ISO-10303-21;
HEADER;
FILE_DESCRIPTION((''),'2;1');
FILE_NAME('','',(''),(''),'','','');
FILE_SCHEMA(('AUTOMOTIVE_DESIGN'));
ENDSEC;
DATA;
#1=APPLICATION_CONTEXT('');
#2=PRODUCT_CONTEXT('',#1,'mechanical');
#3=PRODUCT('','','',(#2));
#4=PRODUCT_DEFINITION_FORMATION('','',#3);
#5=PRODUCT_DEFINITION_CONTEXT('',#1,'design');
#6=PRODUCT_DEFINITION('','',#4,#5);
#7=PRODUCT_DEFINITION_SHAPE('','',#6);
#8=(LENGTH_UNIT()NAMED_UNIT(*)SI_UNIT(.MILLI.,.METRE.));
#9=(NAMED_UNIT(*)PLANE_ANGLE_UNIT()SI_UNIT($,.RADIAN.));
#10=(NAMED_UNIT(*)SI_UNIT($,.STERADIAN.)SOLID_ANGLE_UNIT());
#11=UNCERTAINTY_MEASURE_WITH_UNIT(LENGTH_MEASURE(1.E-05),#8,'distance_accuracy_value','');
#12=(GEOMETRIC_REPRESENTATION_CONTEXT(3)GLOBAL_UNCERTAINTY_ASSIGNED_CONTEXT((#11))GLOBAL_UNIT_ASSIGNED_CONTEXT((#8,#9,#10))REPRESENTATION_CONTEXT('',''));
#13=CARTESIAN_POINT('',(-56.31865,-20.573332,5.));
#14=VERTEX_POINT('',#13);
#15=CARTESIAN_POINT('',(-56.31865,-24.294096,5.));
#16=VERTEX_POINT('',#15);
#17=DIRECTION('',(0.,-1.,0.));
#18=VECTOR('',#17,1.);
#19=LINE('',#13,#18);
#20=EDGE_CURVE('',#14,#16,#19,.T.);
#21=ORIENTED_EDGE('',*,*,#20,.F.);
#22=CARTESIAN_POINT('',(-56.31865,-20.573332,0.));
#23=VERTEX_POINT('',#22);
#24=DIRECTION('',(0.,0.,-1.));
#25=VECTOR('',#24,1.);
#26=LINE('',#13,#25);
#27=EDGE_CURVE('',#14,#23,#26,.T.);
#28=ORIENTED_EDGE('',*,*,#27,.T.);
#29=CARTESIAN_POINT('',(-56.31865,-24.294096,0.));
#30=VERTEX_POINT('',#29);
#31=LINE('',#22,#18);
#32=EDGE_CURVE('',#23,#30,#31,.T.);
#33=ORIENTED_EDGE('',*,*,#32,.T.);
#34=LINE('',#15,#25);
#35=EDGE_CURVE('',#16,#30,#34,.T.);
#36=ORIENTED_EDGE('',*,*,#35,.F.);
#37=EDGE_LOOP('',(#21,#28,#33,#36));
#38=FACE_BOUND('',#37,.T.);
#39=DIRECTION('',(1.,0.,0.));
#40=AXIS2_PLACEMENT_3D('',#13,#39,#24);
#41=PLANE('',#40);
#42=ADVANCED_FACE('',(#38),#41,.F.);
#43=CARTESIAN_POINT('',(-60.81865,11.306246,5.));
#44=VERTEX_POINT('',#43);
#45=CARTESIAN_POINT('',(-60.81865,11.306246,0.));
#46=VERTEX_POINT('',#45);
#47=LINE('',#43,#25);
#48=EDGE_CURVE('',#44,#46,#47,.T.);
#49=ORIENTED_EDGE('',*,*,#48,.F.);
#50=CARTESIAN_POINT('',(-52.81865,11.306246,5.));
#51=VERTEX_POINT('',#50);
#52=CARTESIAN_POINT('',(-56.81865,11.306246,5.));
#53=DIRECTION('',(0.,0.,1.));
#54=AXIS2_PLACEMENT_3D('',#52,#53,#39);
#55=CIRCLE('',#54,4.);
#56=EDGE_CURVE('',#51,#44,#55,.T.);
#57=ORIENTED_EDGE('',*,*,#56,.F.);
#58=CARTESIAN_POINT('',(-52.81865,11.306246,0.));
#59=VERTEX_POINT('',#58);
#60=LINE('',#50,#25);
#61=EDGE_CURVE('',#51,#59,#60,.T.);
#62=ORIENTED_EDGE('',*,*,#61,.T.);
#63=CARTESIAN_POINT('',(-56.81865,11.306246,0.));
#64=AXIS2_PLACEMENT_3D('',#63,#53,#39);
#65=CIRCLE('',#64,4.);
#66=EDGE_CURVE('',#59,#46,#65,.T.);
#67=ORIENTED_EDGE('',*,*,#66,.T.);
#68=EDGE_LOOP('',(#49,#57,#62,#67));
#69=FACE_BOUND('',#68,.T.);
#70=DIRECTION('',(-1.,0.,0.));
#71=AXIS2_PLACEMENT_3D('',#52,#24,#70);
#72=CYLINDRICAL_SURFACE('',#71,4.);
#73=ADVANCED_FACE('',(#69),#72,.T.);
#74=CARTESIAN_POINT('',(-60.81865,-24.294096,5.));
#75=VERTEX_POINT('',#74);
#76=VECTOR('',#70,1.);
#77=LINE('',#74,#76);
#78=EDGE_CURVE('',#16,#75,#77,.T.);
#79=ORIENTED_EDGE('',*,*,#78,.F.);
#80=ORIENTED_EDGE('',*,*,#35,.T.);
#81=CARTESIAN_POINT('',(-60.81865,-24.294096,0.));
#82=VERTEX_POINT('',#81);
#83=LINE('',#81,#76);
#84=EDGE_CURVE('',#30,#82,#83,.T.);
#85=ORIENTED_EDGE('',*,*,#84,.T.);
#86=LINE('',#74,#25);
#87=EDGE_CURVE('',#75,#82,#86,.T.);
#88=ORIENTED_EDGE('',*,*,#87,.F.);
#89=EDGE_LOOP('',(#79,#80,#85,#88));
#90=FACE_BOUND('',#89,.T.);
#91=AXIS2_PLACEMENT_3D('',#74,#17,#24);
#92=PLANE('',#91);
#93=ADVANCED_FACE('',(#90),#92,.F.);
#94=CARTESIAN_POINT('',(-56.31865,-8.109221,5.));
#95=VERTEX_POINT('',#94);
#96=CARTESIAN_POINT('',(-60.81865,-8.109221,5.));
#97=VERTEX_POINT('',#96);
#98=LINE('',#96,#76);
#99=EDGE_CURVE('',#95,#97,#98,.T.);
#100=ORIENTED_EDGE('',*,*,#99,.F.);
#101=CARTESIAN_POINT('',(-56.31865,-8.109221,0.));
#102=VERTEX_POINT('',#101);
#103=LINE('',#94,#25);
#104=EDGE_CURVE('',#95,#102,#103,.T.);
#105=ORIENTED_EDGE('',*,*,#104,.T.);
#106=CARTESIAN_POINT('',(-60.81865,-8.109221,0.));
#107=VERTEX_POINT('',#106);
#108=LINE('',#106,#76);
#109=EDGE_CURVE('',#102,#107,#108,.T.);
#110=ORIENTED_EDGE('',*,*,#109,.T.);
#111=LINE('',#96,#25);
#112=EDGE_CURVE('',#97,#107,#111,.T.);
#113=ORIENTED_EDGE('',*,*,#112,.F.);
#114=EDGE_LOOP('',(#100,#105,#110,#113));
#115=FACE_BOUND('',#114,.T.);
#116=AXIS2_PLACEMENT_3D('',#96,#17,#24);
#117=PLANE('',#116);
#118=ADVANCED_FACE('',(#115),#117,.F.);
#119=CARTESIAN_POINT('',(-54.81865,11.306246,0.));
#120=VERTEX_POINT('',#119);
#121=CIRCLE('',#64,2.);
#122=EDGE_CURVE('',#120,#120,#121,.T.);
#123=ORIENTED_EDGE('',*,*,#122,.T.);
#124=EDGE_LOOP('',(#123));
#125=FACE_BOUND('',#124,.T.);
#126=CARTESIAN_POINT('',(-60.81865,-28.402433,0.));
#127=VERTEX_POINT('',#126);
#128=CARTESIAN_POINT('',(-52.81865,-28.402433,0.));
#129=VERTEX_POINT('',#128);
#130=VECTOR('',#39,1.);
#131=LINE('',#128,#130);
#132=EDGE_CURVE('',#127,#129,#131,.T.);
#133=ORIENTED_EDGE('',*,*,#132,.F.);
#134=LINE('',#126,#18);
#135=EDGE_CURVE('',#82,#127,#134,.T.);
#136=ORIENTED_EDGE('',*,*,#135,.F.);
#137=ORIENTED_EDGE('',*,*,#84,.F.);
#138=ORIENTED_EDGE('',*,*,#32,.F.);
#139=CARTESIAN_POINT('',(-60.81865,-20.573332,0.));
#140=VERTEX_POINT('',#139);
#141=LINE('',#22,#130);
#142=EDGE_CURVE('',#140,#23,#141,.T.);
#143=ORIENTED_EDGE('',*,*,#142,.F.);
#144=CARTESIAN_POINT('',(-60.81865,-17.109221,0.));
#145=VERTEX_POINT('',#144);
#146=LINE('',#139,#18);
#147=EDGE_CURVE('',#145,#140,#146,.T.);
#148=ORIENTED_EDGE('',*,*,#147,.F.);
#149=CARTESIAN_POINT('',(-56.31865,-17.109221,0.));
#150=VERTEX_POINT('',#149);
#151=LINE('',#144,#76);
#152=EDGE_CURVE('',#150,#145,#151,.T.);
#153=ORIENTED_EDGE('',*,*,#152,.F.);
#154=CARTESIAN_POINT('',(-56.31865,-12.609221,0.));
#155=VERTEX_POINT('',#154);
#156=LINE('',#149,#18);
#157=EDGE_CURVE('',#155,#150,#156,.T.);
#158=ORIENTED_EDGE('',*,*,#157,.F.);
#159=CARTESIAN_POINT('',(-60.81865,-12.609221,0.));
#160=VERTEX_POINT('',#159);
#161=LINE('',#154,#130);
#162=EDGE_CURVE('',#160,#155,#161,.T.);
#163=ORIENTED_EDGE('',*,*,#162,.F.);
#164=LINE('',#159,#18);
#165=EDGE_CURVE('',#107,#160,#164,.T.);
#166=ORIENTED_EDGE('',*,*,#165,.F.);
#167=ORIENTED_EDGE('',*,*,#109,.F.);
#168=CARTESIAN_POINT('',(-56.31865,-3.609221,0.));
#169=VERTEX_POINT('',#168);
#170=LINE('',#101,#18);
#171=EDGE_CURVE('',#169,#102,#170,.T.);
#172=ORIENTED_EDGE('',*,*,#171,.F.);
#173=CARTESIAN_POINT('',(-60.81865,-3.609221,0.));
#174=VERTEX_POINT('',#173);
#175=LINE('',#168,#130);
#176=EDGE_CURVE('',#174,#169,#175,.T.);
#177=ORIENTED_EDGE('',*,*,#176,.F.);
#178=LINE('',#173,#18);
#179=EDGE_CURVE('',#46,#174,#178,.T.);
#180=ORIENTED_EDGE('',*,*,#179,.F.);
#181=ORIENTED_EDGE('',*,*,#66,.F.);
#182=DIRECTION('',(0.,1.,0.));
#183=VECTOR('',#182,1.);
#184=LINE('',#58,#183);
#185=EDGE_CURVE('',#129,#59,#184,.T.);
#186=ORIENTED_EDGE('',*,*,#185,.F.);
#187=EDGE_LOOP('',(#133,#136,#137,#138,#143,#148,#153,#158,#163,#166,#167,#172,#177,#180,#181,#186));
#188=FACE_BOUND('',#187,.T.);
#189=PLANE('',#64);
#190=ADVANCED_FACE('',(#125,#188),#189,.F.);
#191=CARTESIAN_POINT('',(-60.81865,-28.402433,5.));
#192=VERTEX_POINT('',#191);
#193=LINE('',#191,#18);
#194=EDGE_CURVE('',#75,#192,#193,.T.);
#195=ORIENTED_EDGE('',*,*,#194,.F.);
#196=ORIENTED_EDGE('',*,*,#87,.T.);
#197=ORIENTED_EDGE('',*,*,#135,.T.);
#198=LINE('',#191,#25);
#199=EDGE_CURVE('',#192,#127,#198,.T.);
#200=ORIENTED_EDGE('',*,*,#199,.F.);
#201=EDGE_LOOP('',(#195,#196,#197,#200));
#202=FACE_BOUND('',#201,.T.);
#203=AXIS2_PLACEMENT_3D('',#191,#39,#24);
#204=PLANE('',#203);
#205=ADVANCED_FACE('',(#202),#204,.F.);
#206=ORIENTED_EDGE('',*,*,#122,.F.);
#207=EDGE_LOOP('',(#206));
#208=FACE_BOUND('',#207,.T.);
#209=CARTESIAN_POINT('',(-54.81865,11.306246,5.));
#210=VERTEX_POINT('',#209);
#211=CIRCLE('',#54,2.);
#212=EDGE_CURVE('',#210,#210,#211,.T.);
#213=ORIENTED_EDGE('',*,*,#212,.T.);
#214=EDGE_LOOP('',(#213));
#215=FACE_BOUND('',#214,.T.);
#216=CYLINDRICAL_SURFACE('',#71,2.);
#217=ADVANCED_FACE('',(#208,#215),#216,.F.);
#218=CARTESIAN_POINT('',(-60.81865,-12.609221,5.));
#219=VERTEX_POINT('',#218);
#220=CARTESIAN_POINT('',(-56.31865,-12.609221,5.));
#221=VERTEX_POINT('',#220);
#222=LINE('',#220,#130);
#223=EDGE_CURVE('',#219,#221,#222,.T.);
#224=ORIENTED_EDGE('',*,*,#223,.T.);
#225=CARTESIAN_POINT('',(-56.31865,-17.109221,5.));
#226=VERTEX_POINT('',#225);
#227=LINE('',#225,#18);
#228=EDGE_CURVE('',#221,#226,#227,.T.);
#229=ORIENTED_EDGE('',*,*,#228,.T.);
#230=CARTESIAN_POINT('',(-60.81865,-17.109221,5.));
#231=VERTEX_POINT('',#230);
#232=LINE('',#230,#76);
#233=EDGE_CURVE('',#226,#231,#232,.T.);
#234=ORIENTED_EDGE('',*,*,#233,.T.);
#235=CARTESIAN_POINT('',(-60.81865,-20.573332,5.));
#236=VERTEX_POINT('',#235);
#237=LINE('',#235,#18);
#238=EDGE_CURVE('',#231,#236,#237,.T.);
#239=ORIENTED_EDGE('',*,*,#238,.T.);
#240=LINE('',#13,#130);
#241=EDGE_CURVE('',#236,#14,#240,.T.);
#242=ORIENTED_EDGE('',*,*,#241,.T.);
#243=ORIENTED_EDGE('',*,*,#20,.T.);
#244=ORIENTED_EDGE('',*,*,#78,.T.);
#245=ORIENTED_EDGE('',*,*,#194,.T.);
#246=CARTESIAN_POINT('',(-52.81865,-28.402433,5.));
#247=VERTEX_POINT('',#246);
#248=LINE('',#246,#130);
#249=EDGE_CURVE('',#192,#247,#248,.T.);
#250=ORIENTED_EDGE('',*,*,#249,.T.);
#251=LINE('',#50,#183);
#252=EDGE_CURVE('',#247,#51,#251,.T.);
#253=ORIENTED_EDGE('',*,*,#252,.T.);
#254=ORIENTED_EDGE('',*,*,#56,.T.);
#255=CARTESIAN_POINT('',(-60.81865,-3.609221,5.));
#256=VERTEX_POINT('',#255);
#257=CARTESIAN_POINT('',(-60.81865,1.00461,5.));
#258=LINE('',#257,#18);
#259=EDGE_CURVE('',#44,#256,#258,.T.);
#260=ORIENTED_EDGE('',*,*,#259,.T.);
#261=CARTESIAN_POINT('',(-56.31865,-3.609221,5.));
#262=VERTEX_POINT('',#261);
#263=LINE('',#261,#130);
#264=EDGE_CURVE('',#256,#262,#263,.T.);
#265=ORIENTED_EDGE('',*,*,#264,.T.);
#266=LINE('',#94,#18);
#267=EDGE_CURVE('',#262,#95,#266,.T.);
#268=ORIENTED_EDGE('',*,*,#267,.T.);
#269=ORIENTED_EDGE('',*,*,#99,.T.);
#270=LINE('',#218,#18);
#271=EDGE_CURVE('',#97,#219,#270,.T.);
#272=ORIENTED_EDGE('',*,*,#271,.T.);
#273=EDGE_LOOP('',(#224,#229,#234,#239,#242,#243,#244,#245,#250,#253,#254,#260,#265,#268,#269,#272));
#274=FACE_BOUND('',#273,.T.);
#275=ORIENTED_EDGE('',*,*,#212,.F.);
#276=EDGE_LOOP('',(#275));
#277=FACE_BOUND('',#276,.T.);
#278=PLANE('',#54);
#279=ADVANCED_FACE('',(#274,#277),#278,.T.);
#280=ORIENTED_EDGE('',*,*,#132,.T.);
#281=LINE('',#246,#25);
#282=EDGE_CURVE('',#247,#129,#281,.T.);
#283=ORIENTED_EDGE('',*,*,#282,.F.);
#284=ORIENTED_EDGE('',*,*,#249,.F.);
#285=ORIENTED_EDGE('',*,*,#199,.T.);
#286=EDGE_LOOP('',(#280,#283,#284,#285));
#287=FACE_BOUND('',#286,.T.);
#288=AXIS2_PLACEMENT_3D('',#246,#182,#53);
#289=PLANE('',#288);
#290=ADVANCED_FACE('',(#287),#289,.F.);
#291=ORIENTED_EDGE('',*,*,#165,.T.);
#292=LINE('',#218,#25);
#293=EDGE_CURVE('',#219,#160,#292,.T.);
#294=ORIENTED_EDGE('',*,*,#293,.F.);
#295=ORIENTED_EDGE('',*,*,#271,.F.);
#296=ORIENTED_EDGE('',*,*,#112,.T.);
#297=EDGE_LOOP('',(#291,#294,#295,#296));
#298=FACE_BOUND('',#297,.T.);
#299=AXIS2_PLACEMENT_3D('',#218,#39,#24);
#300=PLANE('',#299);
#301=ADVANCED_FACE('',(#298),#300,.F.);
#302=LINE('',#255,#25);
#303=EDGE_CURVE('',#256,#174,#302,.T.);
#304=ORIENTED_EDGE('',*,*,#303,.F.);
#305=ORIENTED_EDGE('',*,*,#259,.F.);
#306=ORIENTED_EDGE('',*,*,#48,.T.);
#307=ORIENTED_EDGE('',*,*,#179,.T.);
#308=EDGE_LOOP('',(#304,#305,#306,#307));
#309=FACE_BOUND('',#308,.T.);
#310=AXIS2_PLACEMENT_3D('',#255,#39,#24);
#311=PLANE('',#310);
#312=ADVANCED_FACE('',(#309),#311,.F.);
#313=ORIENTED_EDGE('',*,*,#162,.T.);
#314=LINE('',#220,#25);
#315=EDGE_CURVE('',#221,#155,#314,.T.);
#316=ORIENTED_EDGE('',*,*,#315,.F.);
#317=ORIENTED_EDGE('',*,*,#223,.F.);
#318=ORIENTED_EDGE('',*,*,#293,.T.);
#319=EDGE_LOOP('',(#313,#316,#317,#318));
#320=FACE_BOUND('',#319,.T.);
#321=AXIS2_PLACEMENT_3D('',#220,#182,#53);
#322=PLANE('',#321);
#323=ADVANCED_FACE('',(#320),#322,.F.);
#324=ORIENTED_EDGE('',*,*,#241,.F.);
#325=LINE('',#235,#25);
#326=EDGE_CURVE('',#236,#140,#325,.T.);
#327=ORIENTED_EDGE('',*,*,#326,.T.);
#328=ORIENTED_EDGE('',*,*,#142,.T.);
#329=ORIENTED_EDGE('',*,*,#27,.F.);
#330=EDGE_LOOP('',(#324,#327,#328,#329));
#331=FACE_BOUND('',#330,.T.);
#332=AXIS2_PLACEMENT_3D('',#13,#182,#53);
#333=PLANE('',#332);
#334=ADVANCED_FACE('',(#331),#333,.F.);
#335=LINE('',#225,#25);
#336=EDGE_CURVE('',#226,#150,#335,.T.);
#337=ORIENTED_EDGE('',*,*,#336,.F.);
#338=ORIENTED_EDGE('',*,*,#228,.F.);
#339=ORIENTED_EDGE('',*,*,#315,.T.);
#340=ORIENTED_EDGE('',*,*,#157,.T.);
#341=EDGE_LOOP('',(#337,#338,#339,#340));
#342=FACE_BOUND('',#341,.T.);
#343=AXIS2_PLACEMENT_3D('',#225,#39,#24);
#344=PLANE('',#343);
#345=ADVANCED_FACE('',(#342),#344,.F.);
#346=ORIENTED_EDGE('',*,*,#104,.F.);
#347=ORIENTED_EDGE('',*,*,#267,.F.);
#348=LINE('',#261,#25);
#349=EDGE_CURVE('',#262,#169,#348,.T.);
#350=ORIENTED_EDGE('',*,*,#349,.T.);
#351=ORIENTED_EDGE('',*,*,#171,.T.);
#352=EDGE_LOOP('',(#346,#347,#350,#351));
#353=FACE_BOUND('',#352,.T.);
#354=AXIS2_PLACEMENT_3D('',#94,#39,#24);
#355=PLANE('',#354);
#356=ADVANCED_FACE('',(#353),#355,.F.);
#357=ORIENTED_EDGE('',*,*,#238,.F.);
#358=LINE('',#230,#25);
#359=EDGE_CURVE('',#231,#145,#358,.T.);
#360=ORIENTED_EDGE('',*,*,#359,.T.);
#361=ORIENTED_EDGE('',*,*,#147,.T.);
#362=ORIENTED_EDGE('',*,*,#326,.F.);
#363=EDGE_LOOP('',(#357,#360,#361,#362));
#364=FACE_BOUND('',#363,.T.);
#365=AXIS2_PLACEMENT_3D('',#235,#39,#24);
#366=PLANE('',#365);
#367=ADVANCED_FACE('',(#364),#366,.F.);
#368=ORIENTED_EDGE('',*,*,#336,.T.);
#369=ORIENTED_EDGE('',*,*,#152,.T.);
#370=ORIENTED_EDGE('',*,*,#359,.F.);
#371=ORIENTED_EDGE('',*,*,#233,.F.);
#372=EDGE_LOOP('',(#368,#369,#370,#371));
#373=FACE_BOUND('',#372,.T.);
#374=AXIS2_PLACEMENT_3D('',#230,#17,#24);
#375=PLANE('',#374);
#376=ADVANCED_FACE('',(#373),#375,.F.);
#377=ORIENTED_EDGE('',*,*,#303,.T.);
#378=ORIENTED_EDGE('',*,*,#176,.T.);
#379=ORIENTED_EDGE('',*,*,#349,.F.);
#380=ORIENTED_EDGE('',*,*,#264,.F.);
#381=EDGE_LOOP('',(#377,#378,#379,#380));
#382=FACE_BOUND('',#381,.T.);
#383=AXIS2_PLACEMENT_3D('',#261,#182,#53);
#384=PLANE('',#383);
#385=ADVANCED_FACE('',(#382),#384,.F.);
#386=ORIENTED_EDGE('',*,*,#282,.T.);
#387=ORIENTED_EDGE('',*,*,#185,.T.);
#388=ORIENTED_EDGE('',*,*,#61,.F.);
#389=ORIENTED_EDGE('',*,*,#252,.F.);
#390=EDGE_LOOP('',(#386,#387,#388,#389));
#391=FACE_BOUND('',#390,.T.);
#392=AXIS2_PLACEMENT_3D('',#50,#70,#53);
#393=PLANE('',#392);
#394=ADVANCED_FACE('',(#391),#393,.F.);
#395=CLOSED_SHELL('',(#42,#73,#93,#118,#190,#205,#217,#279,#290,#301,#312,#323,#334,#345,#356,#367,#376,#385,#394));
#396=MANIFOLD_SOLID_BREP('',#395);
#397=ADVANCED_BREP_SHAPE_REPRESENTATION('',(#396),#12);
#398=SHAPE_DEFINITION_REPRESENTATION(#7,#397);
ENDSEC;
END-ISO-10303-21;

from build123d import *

# Parameters (mm, degrees)
ESQUISSE1_R        = 2
BOSS_EXTRU_1_DEPTH = 5


with BuildPart() as part:
    # Esquisse1 → Boss.-Extru.1 (new body)
    with BuildSketch(Plane.XY):
        with BuildLine():
            Line((-60.818649801, 1.004609912), (-60.818649801, 11.306245912))
            ThreePointArc((-60.818649801, 11.306245912), (-56.818649801, 15.306245912), (-52.818649801, 11.306245912))
            Line((-52.818649801, 11.306245912), (-52.818649801, -28.402433088))
            Line((-52.818649801, -28.402433088), (-60.818649801, -28.402433088))
            Line((-60.818649801, -28.402433088), (-60.818649801, -24.294096088))
            Line((-60.818649801, -24.294096088), (-56.318649801, -24.294096088))
            Line((-56.318649801, -24.294096088), (-56.318649801, -20.573332088))
            Line((-56.318649801, -20.573332088), (-60.818649801, -20.573332088))
            Line((-60.818649801, -20.573332088), (-60.818649801, -17.109221088))
            Line((-60.818649801, -17.109221088), (-56.318649801, -17.109221088))
            Line((-56.318649801, -17.109221088), (-56.318649801, -12.609221088))
            Line((-56.318649801, -12.609221088), (-60.818649801, -12.609221088))
            Line((-60.818649801, -12.609221088), (-60.818649801, -8.109221088))
            Line((-60.818649801, -8.109221088), (-56.318649801, -8.109221088))
            Line((-56.318649801, -8.109221088), (-56.318649801, -3.609221088))
            Line((-56.318649801, -3.609221088), (-60.818649801, -3.609221088))
            Line((-60.818649801, -3.609221088), (-60.818649801, 1.004609912))
        make_face()
        with Locations((-56.818649801, 11.306245912)):
            Circle(ESQUISSE1_R, mode=Mode.SUBTRACT)
    extrude(amount=BOSS_EXTRU_1_DEPTH)


solid = part.part
